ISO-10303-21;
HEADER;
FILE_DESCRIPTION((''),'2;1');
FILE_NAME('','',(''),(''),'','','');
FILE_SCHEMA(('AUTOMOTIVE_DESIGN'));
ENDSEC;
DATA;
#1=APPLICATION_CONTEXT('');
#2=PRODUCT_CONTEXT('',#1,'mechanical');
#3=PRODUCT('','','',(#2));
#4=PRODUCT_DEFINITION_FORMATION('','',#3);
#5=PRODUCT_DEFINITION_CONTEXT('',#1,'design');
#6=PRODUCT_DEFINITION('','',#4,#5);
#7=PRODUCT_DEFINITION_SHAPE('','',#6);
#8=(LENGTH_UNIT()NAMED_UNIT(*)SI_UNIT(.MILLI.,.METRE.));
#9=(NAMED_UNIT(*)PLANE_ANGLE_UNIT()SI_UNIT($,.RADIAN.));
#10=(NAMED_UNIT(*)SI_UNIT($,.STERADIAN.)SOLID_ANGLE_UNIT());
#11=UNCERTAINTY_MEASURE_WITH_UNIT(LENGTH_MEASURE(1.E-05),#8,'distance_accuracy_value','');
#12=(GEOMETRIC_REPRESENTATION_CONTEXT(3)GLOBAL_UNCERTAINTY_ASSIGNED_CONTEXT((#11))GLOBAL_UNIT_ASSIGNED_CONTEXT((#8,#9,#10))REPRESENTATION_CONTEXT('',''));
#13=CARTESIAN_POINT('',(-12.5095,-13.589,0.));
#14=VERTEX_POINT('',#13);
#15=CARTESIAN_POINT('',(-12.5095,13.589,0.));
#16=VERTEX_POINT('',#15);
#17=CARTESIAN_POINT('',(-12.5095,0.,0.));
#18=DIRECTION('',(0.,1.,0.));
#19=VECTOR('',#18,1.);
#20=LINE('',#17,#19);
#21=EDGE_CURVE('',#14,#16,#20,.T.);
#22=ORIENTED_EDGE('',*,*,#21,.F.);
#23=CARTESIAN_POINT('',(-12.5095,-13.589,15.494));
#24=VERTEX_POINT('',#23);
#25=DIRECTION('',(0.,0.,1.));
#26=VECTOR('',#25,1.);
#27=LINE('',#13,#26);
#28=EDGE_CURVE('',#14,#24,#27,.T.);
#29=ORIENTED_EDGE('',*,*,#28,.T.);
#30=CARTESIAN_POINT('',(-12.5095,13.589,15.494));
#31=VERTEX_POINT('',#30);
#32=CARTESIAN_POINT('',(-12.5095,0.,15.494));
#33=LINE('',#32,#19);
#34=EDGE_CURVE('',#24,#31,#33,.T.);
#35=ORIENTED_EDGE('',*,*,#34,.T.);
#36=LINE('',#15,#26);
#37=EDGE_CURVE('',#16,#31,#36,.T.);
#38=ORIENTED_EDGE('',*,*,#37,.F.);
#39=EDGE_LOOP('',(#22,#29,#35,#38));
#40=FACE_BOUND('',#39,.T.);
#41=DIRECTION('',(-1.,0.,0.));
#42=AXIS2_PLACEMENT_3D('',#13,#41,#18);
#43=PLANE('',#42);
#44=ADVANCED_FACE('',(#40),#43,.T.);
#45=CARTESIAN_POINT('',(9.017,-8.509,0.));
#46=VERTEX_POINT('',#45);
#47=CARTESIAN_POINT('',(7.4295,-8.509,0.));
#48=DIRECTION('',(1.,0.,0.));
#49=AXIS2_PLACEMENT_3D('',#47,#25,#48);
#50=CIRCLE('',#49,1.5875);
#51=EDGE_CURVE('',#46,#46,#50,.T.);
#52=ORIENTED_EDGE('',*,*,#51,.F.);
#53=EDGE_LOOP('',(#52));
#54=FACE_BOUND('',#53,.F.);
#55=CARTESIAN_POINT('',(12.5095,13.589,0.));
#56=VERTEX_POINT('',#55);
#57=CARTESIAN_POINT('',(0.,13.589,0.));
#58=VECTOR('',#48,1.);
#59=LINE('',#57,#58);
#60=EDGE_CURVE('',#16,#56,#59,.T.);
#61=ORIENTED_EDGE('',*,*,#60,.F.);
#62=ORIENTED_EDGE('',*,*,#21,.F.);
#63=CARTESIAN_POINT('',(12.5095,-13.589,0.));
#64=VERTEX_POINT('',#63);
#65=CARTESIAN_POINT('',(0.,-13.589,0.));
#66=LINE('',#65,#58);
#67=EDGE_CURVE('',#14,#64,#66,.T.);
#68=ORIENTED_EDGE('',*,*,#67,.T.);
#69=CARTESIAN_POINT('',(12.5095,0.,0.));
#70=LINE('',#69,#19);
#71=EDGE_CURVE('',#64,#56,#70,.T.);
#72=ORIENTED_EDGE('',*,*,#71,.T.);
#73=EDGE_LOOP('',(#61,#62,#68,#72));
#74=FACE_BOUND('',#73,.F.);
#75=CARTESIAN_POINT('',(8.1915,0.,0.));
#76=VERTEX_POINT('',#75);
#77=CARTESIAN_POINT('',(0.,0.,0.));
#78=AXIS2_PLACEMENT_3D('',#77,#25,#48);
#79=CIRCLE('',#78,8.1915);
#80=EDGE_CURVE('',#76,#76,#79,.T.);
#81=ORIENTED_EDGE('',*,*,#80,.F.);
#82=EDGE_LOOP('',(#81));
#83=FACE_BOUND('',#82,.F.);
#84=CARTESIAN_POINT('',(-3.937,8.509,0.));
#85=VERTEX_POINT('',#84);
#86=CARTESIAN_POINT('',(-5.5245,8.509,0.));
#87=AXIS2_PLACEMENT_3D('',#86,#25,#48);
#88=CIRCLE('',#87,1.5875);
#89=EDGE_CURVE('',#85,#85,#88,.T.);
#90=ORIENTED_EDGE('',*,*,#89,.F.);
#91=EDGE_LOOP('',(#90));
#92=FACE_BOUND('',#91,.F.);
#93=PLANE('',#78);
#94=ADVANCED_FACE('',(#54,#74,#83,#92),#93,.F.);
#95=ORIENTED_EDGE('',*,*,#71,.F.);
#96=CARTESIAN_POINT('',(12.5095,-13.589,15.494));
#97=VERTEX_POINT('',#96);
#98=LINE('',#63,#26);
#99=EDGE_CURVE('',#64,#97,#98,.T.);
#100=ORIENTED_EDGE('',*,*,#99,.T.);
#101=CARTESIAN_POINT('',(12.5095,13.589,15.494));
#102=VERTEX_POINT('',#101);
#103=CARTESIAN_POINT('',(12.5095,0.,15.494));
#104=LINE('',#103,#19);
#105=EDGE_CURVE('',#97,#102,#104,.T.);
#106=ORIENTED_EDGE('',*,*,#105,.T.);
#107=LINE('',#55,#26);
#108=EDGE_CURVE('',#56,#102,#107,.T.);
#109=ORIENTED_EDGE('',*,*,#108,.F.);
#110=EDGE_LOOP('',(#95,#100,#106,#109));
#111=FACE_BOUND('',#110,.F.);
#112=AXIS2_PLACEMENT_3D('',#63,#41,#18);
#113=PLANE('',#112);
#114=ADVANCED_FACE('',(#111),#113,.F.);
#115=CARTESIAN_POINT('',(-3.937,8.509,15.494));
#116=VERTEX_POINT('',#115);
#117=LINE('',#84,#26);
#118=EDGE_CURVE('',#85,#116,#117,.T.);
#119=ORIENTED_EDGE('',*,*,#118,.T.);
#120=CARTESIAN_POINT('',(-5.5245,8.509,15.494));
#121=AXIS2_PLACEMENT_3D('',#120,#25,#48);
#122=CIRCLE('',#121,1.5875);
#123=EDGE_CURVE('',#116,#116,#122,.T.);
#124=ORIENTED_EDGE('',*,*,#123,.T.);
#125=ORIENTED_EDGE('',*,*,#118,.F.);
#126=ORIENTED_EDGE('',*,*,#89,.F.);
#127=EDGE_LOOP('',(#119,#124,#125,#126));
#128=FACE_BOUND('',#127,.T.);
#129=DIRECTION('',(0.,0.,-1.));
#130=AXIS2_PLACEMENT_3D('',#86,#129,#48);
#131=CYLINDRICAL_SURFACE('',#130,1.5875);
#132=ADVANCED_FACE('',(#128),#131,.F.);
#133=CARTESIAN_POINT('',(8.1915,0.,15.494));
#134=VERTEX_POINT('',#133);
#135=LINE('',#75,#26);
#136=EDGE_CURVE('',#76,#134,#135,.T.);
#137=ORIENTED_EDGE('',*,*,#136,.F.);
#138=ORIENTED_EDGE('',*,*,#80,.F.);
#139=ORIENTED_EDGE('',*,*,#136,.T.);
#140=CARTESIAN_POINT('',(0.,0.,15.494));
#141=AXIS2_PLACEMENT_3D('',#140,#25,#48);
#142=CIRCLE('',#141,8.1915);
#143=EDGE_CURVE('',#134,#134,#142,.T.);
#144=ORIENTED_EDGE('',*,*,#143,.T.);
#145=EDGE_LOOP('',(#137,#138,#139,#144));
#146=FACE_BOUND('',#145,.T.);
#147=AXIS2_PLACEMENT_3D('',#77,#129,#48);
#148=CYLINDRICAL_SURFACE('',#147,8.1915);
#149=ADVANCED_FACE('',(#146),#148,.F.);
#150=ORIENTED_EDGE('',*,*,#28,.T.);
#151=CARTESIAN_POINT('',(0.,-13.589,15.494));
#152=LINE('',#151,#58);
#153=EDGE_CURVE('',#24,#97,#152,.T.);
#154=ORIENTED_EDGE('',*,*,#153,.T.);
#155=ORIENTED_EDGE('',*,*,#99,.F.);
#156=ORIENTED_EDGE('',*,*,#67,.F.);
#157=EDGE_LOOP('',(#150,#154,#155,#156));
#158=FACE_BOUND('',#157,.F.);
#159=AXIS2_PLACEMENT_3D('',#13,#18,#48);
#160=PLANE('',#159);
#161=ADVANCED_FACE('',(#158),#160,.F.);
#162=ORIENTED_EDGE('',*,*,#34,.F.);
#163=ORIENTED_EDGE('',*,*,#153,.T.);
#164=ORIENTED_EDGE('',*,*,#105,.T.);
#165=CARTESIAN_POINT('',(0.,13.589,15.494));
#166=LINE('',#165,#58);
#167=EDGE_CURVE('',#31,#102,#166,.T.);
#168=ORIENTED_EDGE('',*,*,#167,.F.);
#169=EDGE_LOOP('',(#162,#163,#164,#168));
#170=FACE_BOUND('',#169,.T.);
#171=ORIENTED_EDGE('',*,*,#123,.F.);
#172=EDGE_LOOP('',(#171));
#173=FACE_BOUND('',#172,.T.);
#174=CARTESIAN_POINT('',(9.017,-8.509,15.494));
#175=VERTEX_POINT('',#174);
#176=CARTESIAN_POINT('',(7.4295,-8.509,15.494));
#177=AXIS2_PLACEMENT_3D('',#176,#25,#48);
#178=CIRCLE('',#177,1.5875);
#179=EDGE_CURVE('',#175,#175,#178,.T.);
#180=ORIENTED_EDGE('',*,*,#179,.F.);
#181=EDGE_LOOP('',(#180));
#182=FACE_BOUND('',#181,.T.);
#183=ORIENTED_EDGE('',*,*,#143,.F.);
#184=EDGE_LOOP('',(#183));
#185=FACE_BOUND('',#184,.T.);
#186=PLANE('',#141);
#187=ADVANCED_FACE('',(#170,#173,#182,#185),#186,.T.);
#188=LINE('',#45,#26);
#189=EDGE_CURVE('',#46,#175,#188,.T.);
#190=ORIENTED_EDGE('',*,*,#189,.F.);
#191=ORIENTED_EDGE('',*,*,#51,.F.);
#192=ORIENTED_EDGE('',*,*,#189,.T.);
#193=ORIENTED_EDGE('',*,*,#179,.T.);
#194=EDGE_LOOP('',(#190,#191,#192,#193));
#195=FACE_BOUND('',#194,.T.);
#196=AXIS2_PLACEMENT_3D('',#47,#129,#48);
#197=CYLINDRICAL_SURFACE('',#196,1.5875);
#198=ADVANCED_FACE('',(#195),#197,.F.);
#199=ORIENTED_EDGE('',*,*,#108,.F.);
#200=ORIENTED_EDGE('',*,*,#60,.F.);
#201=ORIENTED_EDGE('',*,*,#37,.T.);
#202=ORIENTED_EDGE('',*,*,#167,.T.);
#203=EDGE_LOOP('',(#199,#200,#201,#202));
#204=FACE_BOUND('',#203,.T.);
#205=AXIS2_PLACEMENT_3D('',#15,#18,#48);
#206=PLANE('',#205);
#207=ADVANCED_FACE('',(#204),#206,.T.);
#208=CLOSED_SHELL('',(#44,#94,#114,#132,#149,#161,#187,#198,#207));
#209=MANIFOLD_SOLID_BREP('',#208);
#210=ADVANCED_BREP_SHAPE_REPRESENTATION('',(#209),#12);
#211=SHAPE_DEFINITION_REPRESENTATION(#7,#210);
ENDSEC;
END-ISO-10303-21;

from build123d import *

# Parameters (mm, degrees)
F0_W     = 25.019
F0_H     = 27.178
F0_W_2   = 19.939
F0_H_2   = 22.098
F0_R     = 1.5875
F0_R_2   = 8.1915
F1_DEPTH = 15.494


with BuildPart() as f1:
    # F0 (on Top) → F1 (new body)
    with BuildSketch(Plane.XY):
        Rectangle(F0_W, F0_H)
        Rectangle(F0_W_2, F0_H_2, mode=Mode.SUBTRACT)
        Rectangle(F0_W_2, F0_H_2)
        with Locations((7.4295, -8.509)):
            Circle(F0_R, mode=Mode.SUBTRACT)
        with Locations((-5.5245, 8.509)):
            Circle(F0_R, mode=Mode.SUBTRACT)
        Circle(F0_R_2, mode=Mode.SUBTRACT)
    extrude(amount=F1_DEPTH)


solid = f1.part
